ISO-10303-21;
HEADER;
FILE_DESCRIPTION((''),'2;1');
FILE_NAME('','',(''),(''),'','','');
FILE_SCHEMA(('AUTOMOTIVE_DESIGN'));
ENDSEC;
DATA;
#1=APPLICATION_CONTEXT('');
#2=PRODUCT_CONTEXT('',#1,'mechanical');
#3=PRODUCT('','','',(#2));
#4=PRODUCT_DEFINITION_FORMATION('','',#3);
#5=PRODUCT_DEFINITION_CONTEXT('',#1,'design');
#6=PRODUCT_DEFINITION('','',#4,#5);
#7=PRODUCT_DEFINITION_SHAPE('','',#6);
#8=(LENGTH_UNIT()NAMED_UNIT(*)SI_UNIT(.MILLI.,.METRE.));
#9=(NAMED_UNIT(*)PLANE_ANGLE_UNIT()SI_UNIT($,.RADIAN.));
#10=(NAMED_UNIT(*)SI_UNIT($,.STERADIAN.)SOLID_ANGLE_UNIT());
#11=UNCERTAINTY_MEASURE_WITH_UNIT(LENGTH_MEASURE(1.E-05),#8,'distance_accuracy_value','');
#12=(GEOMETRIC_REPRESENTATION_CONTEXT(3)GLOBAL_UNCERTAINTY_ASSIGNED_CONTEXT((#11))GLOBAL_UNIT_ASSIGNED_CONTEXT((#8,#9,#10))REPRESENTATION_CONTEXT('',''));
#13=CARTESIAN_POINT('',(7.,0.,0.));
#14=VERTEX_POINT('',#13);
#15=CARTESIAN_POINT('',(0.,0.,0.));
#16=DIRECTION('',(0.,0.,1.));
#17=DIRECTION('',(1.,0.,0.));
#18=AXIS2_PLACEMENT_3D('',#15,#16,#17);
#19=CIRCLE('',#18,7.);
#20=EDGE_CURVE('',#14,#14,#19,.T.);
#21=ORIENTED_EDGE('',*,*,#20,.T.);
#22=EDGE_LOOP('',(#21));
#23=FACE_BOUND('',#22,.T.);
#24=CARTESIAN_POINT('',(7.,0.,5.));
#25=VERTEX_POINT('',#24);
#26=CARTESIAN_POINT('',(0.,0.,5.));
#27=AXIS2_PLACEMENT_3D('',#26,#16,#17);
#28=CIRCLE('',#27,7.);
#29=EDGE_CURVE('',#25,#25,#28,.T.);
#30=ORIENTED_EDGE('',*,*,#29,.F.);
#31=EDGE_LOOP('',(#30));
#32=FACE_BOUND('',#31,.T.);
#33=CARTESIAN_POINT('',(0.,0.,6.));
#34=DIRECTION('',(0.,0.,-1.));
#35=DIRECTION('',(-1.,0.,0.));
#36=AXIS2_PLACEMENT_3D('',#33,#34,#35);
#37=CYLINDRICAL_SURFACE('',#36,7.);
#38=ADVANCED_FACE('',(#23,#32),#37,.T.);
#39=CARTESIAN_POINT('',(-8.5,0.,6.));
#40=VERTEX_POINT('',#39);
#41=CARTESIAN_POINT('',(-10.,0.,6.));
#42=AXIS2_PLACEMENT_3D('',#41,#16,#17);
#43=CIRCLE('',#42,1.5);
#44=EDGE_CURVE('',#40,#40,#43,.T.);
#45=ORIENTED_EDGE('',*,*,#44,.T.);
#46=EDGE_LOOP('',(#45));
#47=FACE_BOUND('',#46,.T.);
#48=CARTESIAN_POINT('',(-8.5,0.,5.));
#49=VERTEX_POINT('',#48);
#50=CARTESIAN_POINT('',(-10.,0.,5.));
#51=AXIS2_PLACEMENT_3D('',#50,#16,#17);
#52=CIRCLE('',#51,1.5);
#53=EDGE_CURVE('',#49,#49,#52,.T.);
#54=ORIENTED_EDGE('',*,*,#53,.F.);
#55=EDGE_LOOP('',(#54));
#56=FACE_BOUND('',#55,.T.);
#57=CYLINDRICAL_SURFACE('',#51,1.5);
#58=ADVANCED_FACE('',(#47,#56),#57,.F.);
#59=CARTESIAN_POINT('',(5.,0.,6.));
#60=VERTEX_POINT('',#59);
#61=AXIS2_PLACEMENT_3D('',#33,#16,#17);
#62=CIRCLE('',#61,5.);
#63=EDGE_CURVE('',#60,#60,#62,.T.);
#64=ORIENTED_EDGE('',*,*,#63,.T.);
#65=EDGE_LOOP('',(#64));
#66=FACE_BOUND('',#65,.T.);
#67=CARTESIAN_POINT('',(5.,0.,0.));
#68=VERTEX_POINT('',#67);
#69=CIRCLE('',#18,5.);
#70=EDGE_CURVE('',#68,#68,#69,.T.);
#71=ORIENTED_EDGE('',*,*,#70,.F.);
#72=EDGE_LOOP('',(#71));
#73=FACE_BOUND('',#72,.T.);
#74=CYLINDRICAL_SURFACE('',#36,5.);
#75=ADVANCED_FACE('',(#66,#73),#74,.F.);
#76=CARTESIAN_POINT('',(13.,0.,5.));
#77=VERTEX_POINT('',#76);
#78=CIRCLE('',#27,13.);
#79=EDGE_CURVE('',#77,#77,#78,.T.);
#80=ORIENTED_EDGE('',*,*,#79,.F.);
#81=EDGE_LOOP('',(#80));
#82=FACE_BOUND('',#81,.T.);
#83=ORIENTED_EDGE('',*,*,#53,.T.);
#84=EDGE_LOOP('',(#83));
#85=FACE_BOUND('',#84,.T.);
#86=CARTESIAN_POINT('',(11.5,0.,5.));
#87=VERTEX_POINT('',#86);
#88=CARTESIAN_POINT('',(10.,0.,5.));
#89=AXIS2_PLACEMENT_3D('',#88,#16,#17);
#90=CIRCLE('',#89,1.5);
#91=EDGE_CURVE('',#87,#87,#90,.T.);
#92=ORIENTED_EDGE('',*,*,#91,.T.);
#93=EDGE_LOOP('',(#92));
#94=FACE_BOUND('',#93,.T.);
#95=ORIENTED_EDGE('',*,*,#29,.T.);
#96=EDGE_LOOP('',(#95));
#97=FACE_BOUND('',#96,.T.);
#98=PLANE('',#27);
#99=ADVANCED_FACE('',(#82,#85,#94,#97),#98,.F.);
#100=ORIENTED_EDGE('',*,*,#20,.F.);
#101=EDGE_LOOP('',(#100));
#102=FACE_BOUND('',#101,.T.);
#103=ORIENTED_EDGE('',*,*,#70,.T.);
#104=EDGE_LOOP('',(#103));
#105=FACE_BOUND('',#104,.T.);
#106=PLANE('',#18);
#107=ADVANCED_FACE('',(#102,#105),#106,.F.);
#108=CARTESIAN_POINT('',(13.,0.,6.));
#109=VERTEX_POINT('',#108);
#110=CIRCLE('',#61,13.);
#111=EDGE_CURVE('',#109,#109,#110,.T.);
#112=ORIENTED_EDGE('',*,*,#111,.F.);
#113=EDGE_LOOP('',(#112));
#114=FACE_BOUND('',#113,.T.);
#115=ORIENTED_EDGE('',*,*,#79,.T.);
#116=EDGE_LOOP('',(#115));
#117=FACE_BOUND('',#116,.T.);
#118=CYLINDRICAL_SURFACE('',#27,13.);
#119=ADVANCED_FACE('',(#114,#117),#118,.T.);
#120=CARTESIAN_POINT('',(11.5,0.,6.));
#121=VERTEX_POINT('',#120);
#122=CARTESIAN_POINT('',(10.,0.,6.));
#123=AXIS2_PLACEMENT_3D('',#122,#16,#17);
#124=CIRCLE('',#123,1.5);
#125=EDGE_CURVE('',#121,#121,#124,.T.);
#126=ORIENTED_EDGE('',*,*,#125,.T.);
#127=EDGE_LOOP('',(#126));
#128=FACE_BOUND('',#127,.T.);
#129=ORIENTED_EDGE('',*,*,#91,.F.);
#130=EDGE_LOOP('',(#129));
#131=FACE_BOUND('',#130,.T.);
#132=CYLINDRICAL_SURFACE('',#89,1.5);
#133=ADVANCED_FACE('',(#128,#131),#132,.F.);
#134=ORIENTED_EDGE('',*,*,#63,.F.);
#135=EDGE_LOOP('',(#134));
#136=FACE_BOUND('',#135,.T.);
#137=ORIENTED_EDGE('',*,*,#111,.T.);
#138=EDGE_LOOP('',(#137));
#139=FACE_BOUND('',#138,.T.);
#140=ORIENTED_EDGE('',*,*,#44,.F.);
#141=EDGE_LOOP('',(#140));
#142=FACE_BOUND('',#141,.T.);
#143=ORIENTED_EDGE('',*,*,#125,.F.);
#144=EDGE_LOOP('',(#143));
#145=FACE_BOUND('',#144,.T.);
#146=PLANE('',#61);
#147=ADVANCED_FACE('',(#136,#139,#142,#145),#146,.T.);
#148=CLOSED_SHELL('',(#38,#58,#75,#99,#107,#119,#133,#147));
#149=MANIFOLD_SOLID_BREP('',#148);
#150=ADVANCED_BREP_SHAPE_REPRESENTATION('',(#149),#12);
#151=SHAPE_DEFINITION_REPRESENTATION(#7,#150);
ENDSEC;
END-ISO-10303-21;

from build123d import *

# Parameters (mm, degrees)
SKETCH1_R           = 7
SKETCH1_R_2         = 5
BOSS_EXTRUDE1_DEPTH = 6
SKETCH2_R           = 13
SKETCH2_R_2         = 7
BOSS_EXTRUDE2_DEPTH = 1
SKETCH3_R           = 1.5
CUT_EXTRUDE1_DEPTH  = 1


with BuildPart() as part:
    # Sketch1 → Boss-Extrude1 (new body)
    with BuildSketch(Plane.XY):
        Circle(SKETCH1_R)
        Circle(SKETCH1_R_2, mode=Mode.SUBTRACT)
    extrude(amount=BOSS_EXTRUDE1_DEPTH)

    # Sketch2 → Boss-Extrude2 (add)
    with BuildSketch(Plane.XY.offset(6)):
        Circle(SKETCH2_R)
        Circle(SKETCH2_R_2, mode=Mode.SUBTRACT)
    extrude(amount=-BOSS_EXTRUDE2_DEPTH)

    # Sketch3 → Cut-Extrude1 (cut)
    with BuildSketch(Plane.XY.offset(6)):
        with Locations((-10, 0)):
            Circle(SKETCH3_R)
        with Locations((10, 0)):
            Circle(SKETCH3_R)
    extrude(amount=-CUT_EXTRUDE1_DEPTH, mode=Mode.SUBTRACT)


solid = part.part
